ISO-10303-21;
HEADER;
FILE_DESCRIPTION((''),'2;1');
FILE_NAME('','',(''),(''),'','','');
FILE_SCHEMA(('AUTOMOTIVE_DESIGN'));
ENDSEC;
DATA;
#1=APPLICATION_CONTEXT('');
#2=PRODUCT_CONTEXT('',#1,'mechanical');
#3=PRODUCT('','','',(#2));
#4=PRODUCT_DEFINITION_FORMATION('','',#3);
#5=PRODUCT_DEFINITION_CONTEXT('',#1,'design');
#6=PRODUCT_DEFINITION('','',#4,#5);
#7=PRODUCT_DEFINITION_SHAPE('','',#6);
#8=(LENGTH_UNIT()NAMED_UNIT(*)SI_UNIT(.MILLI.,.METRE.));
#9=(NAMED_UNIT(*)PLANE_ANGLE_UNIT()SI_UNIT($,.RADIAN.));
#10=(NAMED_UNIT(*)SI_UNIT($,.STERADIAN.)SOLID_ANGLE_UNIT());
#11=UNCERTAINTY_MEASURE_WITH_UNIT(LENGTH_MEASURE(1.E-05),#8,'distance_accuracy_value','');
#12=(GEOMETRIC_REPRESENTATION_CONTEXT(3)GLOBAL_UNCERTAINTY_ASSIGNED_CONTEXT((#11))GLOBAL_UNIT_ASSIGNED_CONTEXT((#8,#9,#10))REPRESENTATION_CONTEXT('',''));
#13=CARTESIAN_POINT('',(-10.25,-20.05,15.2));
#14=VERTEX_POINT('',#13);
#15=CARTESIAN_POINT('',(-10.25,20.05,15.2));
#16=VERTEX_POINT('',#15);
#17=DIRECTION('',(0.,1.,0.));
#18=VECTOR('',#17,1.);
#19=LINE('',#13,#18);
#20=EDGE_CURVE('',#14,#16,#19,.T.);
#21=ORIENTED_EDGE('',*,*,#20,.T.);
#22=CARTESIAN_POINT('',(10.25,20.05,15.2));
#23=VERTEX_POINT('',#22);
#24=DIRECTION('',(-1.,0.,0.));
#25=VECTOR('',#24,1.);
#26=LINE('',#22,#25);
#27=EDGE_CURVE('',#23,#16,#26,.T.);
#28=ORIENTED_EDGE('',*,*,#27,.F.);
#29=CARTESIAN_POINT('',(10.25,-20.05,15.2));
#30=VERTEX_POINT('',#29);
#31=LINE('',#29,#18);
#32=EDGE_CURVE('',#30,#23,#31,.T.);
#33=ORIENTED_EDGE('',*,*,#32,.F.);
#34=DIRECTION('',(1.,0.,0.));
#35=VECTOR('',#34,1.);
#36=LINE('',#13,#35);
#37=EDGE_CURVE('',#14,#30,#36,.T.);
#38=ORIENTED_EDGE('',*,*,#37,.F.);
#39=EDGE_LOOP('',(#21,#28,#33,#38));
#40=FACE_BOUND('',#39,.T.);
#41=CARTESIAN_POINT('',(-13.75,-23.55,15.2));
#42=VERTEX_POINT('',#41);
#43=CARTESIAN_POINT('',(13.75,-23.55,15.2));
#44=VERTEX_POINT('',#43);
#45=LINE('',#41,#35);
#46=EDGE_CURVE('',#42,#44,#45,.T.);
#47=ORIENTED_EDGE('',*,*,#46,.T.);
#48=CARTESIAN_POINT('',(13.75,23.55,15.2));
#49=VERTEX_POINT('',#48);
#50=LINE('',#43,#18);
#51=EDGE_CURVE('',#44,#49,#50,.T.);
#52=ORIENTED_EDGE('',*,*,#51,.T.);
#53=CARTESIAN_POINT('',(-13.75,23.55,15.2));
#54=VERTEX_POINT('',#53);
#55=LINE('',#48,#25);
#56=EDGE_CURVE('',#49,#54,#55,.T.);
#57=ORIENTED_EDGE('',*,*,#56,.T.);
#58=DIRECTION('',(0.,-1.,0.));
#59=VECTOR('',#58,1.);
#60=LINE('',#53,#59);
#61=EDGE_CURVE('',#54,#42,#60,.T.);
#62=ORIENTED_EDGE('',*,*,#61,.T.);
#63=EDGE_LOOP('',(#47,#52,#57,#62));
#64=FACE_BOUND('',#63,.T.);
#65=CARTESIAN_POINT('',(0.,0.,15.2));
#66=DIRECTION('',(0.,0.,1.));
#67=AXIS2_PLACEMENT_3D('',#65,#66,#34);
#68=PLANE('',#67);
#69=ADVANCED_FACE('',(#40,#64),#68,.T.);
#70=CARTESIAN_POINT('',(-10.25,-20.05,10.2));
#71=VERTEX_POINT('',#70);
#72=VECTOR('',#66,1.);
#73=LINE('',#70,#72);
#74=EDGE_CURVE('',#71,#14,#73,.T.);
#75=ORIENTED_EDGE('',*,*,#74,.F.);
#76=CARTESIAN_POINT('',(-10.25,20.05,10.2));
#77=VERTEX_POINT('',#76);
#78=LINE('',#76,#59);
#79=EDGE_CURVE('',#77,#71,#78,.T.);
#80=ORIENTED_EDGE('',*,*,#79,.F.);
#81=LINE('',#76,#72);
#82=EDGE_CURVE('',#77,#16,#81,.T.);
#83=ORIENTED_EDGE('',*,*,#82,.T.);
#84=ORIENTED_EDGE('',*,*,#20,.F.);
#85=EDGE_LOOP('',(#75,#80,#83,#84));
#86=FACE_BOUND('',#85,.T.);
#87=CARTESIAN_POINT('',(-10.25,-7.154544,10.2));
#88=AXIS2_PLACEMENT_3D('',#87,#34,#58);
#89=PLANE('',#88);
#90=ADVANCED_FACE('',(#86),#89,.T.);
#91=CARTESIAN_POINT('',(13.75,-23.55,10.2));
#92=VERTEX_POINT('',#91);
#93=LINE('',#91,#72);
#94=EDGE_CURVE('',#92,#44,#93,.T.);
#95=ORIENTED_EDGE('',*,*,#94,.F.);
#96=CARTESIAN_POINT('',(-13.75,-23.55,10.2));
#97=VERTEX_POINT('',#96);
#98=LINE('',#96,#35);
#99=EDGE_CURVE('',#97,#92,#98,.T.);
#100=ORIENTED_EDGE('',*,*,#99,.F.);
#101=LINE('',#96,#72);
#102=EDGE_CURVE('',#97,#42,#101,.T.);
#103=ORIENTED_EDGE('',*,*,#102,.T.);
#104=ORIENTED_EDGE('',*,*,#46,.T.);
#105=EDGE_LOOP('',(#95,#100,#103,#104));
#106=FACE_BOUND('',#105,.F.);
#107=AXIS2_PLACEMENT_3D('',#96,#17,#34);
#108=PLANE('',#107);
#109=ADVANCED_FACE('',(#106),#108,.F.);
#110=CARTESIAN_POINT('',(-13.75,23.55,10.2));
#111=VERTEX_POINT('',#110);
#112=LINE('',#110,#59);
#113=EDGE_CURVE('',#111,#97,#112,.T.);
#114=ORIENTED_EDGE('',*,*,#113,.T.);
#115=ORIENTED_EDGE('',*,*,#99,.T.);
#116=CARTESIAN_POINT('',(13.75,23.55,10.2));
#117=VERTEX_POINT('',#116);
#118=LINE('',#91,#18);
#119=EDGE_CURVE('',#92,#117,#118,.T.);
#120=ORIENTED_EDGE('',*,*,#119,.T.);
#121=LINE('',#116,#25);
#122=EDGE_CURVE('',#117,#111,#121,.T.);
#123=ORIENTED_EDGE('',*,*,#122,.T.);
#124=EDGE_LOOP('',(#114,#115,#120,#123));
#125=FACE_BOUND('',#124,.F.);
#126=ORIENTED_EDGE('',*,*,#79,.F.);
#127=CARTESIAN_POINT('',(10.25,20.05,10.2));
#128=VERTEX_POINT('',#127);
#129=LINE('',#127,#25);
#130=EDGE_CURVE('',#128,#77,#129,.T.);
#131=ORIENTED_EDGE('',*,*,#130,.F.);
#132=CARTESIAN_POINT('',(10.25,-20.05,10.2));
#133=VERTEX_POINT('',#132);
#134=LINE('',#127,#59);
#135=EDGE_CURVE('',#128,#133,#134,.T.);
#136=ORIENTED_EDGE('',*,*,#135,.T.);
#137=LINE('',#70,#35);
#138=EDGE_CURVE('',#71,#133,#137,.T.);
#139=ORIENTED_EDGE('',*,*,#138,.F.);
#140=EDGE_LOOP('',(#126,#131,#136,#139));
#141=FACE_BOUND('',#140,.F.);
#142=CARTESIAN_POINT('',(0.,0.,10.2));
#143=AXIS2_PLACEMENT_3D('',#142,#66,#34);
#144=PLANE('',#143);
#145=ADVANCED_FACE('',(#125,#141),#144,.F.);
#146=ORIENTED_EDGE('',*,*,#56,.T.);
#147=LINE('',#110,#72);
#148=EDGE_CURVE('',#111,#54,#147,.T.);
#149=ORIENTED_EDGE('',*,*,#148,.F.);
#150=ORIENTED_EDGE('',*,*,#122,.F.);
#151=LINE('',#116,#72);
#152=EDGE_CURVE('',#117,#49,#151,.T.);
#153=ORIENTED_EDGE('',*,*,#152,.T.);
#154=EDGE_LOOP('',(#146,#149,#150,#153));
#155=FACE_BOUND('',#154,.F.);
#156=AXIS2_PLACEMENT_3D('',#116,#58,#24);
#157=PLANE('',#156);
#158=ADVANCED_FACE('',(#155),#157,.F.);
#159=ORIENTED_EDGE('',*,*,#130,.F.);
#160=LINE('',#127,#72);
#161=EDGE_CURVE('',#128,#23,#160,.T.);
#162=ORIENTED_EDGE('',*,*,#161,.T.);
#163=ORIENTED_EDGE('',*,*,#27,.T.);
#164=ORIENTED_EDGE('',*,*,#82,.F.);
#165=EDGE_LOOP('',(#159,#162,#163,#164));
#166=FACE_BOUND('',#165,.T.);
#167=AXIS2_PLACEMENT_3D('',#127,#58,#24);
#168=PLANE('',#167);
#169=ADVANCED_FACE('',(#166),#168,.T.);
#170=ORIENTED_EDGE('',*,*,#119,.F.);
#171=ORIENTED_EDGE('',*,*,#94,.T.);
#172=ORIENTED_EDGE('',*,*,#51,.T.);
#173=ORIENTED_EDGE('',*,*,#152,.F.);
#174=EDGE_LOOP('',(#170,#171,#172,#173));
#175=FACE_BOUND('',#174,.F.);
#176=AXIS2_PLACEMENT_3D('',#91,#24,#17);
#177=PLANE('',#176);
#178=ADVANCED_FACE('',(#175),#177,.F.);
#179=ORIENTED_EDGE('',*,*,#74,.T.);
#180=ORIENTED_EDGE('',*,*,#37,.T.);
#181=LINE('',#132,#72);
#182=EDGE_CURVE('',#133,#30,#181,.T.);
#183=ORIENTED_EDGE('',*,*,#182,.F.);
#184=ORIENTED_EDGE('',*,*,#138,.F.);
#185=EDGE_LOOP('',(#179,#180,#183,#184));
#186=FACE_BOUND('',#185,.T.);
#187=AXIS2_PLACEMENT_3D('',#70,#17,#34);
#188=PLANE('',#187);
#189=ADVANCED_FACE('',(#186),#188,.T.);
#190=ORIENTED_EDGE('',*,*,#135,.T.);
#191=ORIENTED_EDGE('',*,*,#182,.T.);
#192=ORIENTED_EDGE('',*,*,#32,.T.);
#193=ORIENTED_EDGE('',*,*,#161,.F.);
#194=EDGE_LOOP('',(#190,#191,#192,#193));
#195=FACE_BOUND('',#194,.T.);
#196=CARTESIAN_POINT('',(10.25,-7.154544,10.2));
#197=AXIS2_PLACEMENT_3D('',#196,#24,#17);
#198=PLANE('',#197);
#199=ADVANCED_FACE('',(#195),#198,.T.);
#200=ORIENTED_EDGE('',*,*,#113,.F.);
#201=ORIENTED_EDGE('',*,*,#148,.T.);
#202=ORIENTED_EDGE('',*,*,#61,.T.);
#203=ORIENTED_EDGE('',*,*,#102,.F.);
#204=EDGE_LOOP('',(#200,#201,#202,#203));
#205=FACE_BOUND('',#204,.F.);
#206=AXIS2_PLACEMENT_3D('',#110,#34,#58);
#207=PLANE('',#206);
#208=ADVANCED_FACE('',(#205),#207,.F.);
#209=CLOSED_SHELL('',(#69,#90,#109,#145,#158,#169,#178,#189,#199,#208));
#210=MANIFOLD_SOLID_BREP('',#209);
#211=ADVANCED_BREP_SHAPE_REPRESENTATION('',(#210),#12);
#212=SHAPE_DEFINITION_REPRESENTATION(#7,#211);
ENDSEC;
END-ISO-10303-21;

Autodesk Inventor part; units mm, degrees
ref_plane "YZ Plane" through (0, 0, 0) normal (1, 0, 0) x (0, 1, 0)
ref_plane "XZ Plane" through (0, 0, 0) normal (0, 1, 0) x (-1, 0, 0)
sketch "Sketch1" plane through (0, 0, 0) normal (0, 0, 1) x (1, 0, 0)
  line L0 (10, -19.8) -> (-10, -19.8) projected
  line L1 (-10, -19.8) -> (-10, -16.8) projected
  line L2 (-10, -16.8) -> (10, -16.8) projected
  line L3 (10, -16.8) -> (10, -19.8) projected
  line L4 (-10, 19.8) -> (10, 19.8) projected
  line L5 (10, 19.8) -> (10, 16.8) projected
  line L6 (10, 16.8) -> (-10, 16.8) projected
  line L7 (-10, 16.8) -> (-10, 19.8) projected
  circle A0 centre (0, 0) radius 12.5 projected
  line L8 (10, 19.8) -> (-10, 19.8)
  line L9 (-10, 19.8) -> (-10, -19.8)
  line L10 (-10, -19.8) -> (10, -19.8)
  line L11 (10, -19.8) -> (10, 19.8)
  line L12 (10.25, 20.05) -> (-10.25, 20.05)
  line L13 (-10.25, 20.05) -> (-10.25, -20.05)
  line L14 (-10.25, -20.05) -> (10.25, -20.05)
  line L15 (10.25, -20.05) -> (10.25, 20.05)
  line L16 (13.75, 23.55) -> (-13.75, 23.55)
  line L17 (-13.75, 23.55) -> (-13.75, -23.55)
  line L18 (-13.75, -23.55) -> (13.75, -23.55)
  line L19 (13.75, -23.55) -> (13.75, 23.55)
  line L20 (-20.4827, -18.7637) -> (-22.4464, -16.8) projected
  arc A1 (-18.7637, -20.4827) -> (-20.4827, -18.7637) centre (-20.5135, -20.5135) ccw projected
  line L21 (-16.8, -22.4464) -> (-18.7637, -20.4827) projected
  line L22 (-16.8, -24.65) -> (-16.8, -22.4464) projected
  line L23 (16.8, -24.65) -> (-16.8, -24.65) projected
  line L24 (16.8, -22.4464) -> (16.8, -24.65) projected
  line L25 (18.7637, -20.4827) -> (16.8, -22.4464) projected
  arc A2 (20.4827, -18.7637) -> (18.7637, -20.4827) centre (20.5135, -20.5135) ccw projected
  line L26 (22.4464, -16.8) -> (20.4827, -18.7637) projected
  line L27 (24.65, -16.8) -> (22.4464, -16.8) projected
  line L28 (24.65, 16.8) -> (24.65, -16.8) projected
  line L29 (22.4464, 16.8) -> (24.65, 16.8) projected
  line L30 (20.4827, 18.7637) -> (22.4464, 16.8) projected
  arc A3 (18.7637, 20.4827) -> (20.4827, 18.7637) centre (20.5135, 20.5135) ccw projected
  line L31 (16.8, 22.4464) -> (18.7637, 20.4827) projected
  line L32 (16.8, 24.65) -> (16.8, 22.4464) projected
  line L33 (-16.8, 24.65) -> (16.8, 24.65) projected
  line L34 (-16.8, 22.4464) -> (-16.8, 24.65) projected
  line L35 (-18.7637, 20.4827) -> (-16.8, 22.4464) projected
  arc A4 (-20.4827, 18.7637) -> (-18.7637, 20.4827) centre (-20.5135, 20.5135) ccw projected
  line L36 (-22.4464, 16.8) -> (-20.4827, 18.7637) projected
  line L37 (-24.65, 16.8) -> (-22.4464, 16.8) projected
  line L38 (-24.65, -16.8) -> (-24.65, 16.8) projected
  line L39 (-22.4464, -16.8) -> (-24.65, -16.8) projected
  point P0 (10.25, 7.1545)
  point P1 (10.25, -7.1545)
  point P2 (-10.25, -7.1545)
  point P3 (-10.25, 7.1545)
  dimension "d0" = 0.25
  dimension "d1" = 3.75
ref_plane "Work Plane1" through (-8.4, -24.65, 10.2) normal (0, 0, -1) x (-1, 0, 0)
extrude "Extrusion1" add sketch "Sketch1" along normal blind 5 from surface at 10.2 contours L15 A0 | A0 L13 | L19 L18 L17 L16
properties part number "Sample Clamp"
